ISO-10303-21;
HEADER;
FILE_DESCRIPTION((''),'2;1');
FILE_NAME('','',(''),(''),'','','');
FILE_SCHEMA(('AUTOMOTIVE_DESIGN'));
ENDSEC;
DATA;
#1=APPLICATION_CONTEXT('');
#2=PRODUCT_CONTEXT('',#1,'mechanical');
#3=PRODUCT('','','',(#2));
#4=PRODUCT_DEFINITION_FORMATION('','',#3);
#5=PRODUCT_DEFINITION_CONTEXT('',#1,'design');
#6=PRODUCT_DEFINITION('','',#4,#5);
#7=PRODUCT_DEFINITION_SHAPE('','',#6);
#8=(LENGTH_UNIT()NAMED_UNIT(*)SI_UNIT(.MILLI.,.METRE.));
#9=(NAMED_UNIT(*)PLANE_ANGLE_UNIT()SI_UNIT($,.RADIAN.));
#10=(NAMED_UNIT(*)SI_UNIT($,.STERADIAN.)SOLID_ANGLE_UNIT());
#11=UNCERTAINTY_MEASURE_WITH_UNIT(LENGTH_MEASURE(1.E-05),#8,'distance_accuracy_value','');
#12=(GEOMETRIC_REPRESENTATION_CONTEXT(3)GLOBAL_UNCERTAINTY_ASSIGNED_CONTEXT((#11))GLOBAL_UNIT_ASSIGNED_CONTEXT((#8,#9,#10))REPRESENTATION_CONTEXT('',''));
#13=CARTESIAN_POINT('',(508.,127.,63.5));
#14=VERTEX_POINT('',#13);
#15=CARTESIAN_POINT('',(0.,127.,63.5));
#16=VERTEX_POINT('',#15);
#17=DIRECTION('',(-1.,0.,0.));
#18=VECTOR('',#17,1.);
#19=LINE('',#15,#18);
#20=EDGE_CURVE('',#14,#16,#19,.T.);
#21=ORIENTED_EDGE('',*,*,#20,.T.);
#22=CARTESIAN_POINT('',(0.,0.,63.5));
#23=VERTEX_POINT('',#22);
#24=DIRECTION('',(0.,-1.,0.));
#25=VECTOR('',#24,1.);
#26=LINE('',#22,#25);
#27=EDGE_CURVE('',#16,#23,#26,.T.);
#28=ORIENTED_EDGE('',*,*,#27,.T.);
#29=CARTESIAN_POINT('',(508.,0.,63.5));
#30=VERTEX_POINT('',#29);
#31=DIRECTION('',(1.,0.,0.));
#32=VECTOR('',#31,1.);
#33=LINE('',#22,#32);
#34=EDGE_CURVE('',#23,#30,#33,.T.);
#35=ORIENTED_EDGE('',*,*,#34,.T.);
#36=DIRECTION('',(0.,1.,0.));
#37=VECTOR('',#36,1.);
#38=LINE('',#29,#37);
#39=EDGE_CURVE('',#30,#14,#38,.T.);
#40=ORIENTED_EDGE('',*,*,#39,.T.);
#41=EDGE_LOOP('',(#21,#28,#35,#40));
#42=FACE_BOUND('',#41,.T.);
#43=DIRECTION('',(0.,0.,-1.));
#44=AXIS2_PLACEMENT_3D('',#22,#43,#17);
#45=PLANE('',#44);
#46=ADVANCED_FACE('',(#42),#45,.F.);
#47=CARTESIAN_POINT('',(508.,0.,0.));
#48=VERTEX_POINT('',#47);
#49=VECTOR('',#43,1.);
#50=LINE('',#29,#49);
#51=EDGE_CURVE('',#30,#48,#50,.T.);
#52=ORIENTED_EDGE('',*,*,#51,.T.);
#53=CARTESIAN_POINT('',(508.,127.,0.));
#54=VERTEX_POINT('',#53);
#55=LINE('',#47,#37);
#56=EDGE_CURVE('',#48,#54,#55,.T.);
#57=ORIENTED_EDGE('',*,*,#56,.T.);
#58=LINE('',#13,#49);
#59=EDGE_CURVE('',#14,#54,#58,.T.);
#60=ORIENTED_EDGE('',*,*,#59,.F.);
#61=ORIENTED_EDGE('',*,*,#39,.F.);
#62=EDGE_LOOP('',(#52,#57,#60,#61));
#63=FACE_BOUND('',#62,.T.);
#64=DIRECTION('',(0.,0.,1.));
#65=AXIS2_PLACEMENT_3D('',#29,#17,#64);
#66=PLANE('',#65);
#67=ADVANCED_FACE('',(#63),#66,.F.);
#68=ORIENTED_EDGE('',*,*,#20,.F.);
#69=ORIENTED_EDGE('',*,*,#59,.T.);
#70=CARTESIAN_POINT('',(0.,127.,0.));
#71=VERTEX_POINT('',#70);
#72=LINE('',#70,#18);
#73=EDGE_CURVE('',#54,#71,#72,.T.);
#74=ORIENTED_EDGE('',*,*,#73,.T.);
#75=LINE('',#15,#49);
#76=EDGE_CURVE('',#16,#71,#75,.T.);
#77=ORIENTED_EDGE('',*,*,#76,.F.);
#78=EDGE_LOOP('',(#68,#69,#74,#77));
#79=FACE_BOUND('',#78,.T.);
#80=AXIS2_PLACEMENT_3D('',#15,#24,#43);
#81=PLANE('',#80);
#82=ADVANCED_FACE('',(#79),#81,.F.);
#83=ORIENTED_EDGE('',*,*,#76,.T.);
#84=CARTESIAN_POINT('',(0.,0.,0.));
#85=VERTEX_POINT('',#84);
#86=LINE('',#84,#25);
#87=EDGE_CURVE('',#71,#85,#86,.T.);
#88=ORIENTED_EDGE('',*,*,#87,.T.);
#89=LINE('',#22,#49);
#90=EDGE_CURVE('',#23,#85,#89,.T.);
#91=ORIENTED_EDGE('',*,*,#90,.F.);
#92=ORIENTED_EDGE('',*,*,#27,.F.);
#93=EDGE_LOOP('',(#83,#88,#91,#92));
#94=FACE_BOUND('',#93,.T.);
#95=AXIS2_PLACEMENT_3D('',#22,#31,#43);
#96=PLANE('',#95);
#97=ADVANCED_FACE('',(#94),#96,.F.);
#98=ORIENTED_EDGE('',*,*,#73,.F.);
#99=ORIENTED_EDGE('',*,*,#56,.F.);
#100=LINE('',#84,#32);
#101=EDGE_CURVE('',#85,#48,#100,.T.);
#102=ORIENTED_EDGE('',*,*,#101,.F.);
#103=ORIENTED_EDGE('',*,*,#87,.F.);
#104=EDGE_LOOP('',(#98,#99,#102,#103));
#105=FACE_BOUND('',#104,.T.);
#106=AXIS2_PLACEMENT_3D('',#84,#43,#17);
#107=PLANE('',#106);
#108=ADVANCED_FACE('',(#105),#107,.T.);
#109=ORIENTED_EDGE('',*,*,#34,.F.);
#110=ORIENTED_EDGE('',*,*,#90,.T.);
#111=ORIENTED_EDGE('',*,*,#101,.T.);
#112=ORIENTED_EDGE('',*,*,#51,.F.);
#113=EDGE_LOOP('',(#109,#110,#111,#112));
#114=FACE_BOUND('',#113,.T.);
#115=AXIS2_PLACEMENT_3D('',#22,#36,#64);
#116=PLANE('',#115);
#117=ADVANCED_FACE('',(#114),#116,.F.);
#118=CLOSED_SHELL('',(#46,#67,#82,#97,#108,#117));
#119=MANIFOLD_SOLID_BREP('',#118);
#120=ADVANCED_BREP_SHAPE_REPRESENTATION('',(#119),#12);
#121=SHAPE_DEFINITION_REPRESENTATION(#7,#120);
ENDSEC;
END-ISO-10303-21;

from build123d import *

# Parameters (mm, degrees)
SKETCH1_W           = 508
SKETCH1_H           = 127
BOSS_EXTRUDE1_DEPTH = 63.5


with BuildPart() as part:
    # Sketch1 → Boss-Extrude1 (new body)
    with BuildSketch(Plane.XY):
        with Locations((254, 63.5)):
            Rectangle(SKETCH1_W, SKETCH1_H)
    extrude(amount=BOSS_EXTRUDE1_DEPTH)


solid = part.part
